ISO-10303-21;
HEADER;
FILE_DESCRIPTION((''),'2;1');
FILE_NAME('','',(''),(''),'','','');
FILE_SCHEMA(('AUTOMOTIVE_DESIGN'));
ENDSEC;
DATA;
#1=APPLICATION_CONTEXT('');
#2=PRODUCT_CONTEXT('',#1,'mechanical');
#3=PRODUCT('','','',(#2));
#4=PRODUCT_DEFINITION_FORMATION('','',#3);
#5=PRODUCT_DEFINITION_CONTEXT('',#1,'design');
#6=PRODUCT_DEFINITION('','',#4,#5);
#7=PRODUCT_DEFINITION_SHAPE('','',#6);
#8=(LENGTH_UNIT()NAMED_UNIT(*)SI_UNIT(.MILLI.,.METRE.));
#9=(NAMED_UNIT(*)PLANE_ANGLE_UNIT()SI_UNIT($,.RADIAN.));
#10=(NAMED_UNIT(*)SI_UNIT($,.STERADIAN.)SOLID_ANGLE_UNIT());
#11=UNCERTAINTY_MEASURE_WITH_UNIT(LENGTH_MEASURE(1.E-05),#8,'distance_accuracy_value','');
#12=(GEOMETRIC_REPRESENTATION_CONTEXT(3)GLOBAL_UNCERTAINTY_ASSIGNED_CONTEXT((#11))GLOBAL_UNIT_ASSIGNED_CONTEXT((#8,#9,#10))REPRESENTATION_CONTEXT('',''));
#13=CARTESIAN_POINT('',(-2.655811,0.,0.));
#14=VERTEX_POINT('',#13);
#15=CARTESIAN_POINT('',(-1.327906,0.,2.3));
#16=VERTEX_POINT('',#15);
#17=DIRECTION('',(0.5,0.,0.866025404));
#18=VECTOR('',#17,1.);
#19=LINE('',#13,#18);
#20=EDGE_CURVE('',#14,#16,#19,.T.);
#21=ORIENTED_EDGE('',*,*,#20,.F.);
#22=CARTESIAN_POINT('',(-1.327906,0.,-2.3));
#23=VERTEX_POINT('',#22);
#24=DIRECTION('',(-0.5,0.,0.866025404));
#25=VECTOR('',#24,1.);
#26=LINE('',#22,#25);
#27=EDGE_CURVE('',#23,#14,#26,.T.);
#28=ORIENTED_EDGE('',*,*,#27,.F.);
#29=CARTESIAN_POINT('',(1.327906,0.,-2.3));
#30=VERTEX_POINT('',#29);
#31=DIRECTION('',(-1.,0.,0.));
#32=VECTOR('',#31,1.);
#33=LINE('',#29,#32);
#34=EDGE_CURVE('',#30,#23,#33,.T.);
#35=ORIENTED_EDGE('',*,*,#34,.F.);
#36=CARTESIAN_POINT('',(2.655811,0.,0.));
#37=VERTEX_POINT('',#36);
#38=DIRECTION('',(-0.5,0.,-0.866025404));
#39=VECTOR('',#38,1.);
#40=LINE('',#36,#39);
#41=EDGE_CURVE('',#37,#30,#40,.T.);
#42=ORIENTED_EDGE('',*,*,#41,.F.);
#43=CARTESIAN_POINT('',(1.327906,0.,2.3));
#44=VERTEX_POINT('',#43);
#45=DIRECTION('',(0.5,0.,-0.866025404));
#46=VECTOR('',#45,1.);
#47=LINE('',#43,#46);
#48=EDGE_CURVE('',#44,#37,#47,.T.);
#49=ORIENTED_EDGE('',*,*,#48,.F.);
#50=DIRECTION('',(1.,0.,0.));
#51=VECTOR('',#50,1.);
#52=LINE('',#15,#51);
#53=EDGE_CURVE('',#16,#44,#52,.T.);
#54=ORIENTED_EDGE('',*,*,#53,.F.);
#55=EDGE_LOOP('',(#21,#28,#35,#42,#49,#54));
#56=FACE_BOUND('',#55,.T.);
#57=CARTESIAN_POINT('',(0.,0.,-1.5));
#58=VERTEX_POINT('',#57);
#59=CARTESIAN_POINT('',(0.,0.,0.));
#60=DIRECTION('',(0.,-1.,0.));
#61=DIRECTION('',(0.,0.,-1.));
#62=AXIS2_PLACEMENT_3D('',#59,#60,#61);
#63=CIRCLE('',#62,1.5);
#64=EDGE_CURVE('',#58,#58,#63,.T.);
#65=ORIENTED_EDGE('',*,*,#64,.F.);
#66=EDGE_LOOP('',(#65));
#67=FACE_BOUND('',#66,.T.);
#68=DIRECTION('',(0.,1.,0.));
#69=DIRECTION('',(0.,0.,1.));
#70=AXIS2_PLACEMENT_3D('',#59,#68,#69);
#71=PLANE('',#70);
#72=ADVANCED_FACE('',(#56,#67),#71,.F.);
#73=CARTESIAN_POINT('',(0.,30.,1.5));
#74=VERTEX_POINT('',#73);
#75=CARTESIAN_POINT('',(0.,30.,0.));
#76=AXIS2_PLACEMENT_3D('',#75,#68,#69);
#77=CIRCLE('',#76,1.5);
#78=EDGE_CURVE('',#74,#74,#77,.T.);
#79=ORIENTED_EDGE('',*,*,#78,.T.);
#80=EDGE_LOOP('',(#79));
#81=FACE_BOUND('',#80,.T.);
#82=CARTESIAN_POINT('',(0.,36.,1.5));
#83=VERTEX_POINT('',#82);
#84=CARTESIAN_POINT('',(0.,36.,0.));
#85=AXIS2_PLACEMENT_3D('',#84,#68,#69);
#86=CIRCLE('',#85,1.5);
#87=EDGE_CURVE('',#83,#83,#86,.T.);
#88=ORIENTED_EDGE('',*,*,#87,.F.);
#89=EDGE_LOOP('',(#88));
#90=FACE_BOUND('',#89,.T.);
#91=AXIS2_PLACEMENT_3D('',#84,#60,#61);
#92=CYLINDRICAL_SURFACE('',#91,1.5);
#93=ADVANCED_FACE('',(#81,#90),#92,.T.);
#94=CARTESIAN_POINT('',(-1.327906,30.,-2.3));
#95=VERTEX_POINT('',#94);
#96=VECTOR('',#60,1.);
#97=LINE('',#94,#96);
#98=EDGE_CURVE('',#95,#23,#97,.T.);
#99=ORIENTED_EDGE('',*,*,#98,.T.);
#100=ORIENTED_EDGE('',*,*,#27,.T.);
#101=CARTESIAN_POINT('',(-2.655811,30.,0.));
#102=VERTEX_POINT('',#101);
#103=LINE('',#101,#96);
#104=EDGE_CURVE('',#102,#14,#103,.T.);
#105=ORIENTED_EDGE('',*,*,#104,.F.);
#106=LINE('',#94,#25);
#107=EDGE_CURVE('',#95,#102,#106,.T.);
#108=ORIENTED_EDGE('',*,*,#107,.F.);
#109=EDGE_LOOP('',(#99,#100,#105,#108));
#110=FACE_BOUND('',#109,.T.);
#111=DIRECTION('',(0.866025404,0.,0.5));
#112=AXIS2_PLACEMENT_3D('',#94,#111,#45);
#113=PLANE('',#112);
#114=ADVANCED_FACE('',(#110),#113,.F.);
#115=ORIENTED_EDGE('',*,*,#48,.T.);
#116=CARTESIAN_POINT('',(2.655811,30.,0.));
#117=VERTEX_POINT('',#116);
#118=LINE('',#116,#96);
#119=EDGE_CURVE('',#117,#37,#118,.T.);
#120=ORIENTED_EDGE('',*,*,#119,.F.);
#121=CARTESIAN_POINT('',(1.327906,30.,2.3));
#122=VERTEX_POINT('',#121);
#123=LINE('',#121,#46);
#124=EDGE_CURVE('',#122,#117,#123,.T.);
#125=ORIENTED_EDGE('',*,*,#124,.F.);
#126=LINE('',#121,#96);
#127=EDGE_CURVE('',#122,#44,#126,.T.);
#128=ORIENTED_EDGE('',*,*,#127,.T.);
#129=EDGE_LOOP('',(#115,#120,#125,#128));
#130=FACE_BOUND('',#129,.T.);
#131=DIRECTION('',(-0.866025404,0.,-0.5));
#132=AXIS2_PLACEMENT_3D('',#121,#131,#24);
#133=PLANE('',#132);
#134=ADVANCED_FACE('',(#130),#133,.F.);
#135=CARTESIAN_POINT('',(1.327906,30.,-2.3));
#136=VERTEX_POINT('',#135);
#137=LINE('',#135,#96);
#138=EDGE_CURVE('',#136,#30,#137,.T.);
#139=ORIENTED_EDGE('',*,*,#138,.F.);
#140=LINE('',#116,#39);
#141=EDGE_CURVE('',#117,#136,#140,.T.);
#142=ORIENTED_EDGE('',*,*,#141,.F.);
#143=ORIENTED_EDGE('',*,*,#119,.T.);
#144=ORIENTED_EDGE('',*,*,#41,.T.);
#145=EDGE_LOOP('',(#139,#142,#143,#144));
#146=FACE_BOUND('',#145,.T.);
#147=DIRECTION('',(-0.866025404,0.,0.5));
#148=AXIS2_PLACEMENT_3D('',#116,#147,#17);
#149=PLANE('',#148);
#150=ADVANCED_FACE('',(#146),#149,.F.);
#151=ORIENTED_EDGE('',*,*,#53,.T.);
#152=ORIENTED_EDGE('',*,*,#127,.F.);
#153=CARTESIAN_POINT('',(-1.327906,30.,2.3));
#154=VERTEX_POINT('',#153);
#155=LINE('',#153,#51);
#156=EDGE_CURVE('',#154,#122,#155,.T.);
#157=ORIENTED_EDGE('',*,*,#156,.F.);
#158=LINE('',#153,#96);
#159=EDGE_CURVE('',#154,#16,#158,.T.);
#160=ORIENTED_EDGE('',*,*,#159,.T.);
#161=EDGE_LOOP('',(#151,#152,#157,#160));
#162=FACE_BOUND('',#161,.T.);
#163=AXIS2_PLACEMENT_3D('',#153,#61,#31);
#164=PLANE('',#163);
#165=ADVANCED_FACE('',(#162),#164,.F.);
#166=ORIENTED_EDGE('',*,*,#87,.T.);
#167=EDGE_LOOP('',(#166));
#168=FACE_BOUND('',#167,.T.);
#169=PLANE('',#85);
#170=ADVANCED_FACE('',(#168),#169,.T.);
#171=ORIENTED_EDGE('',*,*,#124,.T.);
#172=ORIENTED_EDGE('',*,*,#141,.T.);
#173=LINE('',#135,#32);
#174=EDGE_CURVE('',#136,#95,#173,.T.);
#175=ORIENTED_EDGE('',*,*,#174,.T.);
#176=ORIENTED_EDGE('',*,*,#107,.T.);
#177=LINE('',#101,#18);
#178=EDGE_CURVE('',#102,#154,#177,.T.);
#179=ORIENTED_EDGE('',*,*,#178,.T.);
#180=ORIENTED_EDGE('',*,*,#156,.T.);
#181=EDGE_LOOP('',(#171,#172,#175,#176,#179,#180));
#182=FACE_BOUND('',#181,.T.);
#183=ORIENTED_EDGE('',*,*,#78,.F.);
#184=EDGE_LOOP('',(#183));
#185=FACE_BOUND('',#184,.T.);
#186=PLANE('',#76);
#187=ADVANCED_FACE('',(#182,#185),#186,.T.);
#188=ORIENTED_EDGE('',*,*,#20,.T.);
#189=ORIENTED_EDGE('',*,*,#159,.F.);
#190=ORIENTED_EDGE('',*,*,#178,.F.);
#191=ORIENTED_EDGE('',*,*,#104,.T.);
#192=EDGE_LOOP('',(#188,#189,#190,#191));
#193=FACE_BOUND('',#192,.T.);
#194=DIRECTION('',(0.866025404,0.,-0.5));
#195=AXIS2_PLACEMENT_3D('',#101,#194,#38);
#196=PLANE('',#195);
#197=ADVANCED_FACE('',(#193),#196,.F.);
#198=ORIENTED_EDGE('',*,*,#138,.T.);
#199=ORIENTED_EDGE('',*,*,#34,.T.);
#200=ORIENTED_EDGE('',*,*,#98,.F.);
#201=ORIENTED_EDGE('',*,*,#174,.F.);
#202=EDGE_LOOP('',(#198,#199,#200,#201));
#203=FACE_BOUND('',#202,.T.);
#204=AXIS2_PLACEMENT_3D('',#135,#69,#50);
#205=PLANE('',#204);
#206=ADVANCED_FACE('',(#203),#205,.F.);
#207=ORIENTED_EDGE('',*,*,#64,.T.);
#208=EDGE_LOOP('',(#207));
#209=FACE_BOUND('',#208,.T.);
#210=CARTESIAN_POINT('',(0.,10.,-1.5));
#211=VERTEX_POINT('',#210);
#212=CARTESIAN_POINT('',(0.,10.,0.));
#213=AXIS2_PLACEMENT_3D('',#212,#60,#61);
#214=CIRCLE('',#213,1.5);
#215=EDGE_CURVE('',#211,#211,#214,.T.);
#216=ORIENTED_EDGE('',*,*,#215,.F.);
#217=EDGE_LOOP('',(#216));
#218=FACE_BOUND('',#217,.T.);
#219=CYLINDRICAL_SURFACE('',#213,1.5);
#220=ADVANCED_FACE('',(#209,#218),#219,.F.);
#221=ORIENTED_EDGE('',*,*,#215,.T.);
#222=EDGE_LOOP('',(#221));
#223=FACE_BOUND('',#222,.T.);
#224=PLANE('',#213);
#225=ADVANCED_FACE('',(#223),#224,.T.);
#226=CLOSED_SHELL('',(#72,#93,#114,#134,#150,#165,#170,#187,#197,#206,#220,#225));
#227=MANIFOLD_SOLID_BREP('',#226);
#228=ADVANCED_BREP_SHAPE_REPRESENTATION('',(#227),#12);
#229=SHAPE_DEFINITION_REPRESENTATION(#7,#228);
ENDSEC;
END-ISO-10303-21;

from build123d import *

# Parameters (mm, degrees)
EXTRUDE_1_DEPTH     = 30
SKETCH_2_R          = 1.5
EXTRUDE_2_DEPTH     = 6
SKETCH_3_R          = 1.5
CUT_EXTRUDE_1_DEPTH = 10


with BuildPart() as part:
    # 草图1 → 凸台-拉伸1 (new body)
    with BuildSketch(Plane(origin=(0, 0, 0), x_dir=(1, 0, 0), z_dir=(0, 1, 0))):
        Polygon((2.655811238, 0), (1.327905619, 2.3), (-1.327905619, 2.3), (-2.655811238, 0), (-1.327905619, -2.3), (1.327905619, -2.3), align=None)
    extrude(amount=EXTRUDE_1_DEPTH)

    # 草图2 → 凸台-拉伸2 (add)
    with BuildSketch(Plane(origin=(0, 30, 0), x_dir=(1, 0, 0), z_dir=(0, 1, 0))):
        with Locations(Location((0, 0, 0), (0, 0, 270))):
            Circle(SKETCH_2_R)
    extrude(amount=EXTRUDE_2_DEPTH)

    # 草图3 → 切除-拉伸1 (cut)
    with BuildSketch(Plane.XZ):
        with Locations(Location((0, 0, 0), (0, 0, 90))):
            Circle(SKETCH_3_R)
    extrude(amount=-CUT_EXTRUDE_1_DEPTH, mode=Mode.SUBTRACT)


solid = part.part
